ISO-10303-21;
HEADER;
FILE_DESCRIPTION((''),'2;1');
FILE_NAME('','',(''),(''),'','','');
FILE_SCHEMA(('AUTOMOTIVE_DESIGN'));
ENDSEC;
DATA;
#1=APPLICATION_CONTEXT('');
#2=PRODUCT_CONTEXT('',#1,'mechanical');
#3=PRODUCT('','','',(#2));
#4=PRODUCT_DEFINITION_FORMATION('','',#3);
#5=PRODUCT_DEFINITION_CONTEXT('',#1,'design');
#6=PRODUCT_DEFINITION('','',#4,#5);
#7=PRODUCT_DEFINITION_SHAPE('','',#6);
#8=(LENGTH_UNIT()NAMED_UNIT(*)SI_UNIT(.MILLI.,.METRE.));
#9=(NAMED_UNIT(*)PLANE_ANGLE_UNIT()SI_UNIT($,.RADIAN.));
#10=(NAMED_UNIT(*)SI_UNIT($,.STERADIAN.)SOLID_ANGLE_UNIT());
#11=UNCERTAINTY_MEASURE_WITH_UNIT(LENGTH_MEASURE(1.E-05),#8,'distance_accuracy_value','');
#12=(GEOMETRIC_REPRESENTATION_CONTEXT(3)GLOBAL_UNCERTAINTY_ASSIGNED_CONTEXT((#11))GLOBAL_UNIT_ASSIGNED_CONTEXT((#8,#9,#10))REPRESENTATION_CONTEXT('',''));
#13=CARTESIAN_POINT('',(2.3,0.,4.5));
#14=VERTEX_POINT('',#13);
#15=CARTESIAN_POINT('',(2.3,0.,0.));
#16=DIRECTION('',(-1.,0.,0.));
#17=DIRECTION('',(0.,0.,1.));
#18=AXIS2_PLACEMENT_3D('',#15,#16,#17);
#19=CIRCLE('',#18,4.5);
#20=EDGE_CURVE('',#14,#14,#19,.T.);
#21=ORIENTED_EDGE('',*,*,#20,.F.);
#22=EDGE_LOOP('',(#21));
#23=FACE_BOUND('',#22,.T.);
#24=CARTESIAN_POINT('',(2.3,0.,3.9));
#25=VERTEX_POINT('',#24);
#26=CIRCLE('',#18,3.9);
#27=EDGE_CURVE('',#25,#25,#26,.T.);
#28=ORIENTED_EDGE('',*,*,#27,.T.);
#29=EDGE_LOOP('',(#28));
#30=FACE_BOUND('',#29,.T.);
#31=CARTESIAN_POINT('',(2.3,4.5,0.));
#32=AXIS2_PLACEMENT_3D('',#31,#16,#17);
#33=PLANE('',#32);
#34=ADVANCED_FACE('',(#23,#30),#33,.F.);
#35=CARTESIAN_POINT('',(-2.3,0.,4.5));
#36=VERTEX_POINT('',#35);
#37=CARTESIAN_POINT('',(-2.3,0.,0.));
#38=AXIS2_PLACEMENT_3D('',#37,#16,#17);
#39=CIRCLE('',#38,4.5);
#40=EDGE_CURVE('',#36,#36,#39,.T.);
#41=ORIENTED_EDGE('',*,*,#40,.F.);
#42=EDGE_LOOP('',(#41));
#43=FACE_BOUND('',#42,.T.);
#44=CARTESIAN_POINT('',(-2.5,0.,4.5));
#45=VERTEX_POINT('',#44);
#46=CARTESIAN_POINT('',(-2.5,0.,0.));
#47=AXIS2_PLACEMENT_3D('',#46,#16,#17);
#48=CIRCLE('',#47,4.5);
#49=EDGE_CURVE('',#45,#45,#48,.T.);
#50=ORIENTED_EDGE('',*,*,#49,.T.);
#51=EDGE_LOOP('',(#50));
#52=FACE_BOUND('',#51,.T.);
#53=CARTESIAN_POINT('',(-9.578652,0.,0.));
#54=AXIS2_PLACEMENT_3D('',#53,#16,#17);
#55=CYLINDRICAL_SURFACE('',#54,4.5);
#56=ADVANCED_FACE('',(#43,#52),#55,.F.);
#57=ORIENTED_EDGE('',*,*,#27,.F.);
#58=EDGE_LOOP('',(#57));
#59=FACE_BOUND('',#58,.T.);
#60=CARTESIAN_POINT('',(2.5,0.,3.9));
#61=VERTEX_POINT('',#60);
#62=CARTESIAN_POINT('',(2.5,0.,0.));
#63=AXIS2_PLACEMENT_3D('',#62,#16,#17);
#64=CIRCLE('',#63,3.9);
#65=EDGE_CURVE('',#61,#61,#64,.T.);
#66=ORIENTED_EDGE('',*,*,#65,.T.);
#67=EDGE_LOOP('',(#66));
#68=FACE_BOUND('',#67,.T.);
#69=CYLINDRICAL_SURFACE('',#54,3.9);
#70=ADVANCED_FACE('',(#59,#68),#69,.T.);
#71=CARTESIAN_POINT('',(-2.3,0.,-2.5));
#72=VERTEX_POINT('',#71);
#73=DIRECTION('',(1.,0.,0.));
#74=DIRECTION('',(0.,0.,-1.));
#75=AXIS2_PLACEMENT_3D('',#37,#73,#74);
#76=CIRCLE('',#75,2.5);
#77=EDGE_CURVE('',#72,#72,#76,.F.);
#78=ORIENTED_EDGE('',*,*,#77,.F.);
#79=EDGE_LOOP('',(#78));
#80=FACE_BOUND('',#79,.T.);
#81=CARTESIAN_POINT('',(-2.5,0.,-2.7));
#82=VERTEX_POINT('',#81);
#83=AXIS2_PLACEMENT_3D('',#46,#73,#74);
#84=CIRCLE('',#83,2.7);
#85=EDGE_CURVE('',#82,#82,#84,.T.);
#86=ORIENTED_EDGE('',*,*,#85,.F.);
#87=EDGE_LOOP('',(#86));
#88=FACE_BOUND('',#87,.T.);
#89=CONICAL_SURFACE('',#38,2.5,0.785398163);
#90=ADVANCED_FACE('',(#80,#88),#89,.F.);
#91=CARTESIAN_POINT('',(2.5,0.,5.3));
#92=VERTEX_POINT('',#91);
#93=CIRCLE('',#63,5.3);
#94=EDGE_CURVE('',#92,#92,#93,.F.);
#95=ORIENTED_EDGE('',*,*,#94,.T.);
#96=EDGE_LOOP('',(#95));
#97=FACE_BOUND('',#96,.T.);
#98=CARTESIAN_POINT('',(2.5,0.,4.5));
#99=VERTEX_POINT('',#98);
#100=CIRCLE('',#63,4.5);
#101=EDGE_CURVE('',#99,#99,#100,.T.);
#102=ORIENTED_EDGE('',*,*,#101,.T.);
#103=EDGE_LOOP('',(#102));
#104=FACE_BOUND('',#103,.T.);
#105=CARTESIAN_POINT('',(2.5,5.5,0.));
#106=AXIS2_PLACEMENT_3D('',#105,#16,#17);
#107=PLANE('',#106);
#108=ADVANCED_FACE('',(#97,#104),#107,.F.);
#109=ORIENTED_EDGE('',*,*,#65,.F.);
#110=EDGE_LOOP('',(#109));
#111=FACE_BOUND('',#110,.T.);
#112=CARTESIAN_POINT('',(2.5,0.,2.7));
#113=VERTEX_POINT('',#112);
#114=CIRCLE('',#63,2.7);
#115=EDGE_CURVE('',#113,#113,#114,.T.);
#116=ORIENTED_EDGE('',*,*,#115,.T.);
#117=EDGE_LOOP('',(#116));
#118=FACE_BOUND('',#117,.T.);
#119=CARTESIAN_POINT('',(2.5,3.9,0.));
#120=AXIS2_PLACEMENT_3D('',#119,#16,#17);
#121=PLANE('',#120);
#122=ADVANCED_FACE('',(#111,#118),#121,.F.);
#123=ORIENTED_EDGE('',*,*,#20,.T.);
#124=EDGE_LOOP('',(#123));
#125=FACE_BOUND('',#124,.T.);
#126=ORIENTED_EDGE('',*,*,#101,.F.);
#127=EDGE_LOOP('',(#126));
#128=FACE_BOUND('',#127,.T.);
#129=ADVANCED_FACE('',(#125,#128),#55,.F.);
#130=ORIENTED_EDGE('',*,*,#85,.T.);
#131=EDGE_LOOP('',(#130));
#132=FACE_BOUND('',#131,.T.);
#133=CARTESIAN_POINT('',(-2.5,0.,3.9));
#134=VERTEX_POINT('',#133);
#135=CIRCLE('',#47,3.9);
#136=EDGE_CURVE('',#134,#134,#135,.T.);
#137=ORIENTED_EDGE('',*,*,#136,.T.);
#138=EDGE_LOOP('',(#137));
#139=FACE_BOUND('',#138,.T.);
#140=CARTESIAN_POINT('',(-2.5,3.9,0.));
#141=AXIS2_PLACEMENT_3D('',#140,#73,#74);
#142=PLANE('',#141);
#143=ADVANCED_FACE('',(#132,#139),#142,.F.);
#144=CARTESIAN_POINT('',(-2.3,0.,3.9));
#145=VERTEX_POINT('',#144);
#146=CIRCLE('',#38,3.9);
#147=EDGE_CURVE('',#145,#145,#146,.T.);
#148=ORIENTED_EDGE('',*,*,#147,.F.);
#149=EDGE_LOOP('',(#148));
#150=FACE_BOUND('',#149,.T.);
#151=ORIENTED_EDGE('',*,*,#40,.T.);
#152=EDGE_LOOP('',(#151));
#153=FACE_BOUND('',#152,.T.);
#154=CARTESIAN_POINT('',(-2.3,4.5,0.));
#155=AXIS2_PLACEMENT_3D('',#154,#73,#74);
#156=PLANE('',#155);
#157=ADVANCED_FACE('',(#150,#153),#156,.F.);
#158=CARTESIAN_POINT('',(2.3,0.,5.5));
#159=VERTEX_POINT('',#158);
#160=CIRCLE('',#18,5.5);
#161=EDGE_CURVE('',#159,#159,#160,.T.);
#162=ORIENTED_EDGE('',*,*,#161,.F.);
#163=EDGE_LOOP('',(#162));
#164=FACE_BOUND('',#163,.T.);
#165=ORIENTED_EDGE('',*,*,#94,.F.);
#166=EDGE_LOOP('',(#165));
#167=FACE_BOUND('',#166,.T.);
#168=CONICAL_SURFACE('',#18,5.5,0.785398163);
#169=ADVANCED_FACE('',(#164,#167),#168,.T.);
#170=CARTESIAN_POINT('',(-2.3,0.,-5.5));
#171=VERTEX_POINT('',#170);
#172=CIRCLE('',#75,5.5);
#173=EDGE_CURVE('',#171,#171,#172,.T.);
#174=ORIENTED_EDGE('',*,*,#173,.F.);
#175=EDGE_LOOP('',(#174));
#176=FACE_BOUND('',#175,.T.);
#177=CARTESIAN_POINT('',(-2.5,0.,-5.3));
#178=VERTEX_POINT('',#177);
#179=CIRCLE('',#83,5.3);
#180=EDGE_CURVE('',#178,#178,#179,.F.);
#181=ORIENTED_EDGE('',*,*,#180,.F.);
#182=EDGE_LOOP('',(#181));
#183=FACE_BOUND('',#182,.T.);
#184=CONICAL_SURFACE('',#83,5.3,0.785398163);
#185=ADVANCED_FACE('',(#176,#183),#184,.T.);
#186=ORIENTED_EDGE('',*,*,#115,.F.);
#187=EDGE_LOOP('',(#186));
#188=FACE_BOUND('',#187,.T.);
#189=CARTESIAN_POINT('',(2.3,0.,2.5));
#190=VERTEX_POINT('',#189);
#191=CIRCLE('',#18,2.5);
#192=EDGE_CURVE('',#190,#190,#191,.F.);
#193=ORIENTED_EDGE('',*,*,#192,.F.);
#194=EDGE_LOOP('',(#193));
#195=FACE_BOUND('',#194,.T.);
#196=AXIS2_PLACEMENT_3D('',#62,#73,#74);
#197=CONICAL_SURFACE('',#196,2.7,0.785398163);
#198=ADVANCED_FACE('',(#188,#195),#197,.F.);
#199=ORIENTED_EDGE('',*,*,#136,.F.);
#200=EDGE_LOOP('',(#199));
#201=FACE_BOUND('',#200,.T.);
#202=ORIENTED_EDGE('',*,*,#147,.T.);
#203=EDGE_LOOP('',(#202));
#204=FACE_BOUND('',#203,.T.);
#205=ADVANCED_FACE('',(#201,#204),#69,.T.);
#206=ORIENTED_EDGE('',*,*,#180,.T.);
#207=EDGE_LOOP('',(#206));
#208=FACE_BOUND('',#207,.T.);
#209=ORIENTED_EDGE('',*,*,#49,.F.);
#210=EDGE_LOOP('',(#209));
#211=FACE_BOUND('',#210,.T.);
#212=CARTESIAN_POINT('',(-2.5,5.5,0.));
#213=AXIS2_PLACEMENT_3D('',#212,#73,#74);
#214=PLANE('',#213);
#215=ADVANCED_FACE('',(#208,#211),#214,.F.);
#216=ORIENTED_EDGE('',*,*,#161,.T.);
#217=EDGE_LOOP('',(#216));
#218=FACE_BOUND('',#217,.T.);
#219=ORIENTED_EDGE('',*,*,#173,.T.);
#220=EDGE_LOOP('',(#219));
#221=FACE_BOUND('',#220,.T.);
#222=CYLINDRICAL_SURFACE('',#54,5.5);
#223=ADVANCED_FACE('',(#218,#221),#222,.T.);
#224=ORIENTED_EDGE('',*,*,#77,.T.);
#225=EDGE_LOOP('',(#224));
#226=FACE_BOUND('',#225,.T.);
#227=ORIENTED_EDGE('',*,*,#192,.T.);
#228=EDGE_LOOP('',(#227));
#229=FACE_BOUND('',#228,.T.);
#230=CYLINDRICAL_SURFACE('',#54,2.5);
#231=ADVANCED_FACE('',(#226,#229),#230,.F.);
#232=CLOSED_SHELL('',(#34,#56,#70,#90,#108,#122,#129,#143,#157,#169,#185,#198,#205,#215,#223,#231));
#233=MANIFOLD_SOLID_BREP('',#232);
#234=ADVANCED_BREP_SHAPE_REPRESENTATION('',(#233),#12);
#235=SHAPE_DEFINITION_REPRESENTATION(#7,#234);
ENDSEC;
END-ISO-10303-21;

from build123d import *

# Parameters (mm, degrees)
CHAMFER1_SIZE = 0.2


with BuildPart() as part:
    # Sketch1 → Revolve1 (revolve)
    with BuildSketch(Plane.XY):
        Polygon((2.5, 5.5), (-2.5, 5.5), (-2.5, 4.5), (-2.3, 4.5), (-2.3, 3.9), (-2.5, 3.9), (-2.5, 2.5), (2.5, 2.5), (2.5, 3.9), (2.3, 3.9), (2.3, 4.5), (2.5, 4.5), align=None)
    revolve(axis=Axis((-9.578652295, 0, 0), (1, 0, 0)))

    # Chamfer1
    chamfer1_edges = [part.edges().sort_by_distance(p)[0] for p in [
        (2.5, -5.5, 0),
        (-2.5, -5.5, 0),
        (-2.5, -2.5, 0),
        (2.5, -2.5, 0),
    ]]
    chamfer(chamfer1_edges, length=CHAMFER1_SIZE)


solid = part.part
